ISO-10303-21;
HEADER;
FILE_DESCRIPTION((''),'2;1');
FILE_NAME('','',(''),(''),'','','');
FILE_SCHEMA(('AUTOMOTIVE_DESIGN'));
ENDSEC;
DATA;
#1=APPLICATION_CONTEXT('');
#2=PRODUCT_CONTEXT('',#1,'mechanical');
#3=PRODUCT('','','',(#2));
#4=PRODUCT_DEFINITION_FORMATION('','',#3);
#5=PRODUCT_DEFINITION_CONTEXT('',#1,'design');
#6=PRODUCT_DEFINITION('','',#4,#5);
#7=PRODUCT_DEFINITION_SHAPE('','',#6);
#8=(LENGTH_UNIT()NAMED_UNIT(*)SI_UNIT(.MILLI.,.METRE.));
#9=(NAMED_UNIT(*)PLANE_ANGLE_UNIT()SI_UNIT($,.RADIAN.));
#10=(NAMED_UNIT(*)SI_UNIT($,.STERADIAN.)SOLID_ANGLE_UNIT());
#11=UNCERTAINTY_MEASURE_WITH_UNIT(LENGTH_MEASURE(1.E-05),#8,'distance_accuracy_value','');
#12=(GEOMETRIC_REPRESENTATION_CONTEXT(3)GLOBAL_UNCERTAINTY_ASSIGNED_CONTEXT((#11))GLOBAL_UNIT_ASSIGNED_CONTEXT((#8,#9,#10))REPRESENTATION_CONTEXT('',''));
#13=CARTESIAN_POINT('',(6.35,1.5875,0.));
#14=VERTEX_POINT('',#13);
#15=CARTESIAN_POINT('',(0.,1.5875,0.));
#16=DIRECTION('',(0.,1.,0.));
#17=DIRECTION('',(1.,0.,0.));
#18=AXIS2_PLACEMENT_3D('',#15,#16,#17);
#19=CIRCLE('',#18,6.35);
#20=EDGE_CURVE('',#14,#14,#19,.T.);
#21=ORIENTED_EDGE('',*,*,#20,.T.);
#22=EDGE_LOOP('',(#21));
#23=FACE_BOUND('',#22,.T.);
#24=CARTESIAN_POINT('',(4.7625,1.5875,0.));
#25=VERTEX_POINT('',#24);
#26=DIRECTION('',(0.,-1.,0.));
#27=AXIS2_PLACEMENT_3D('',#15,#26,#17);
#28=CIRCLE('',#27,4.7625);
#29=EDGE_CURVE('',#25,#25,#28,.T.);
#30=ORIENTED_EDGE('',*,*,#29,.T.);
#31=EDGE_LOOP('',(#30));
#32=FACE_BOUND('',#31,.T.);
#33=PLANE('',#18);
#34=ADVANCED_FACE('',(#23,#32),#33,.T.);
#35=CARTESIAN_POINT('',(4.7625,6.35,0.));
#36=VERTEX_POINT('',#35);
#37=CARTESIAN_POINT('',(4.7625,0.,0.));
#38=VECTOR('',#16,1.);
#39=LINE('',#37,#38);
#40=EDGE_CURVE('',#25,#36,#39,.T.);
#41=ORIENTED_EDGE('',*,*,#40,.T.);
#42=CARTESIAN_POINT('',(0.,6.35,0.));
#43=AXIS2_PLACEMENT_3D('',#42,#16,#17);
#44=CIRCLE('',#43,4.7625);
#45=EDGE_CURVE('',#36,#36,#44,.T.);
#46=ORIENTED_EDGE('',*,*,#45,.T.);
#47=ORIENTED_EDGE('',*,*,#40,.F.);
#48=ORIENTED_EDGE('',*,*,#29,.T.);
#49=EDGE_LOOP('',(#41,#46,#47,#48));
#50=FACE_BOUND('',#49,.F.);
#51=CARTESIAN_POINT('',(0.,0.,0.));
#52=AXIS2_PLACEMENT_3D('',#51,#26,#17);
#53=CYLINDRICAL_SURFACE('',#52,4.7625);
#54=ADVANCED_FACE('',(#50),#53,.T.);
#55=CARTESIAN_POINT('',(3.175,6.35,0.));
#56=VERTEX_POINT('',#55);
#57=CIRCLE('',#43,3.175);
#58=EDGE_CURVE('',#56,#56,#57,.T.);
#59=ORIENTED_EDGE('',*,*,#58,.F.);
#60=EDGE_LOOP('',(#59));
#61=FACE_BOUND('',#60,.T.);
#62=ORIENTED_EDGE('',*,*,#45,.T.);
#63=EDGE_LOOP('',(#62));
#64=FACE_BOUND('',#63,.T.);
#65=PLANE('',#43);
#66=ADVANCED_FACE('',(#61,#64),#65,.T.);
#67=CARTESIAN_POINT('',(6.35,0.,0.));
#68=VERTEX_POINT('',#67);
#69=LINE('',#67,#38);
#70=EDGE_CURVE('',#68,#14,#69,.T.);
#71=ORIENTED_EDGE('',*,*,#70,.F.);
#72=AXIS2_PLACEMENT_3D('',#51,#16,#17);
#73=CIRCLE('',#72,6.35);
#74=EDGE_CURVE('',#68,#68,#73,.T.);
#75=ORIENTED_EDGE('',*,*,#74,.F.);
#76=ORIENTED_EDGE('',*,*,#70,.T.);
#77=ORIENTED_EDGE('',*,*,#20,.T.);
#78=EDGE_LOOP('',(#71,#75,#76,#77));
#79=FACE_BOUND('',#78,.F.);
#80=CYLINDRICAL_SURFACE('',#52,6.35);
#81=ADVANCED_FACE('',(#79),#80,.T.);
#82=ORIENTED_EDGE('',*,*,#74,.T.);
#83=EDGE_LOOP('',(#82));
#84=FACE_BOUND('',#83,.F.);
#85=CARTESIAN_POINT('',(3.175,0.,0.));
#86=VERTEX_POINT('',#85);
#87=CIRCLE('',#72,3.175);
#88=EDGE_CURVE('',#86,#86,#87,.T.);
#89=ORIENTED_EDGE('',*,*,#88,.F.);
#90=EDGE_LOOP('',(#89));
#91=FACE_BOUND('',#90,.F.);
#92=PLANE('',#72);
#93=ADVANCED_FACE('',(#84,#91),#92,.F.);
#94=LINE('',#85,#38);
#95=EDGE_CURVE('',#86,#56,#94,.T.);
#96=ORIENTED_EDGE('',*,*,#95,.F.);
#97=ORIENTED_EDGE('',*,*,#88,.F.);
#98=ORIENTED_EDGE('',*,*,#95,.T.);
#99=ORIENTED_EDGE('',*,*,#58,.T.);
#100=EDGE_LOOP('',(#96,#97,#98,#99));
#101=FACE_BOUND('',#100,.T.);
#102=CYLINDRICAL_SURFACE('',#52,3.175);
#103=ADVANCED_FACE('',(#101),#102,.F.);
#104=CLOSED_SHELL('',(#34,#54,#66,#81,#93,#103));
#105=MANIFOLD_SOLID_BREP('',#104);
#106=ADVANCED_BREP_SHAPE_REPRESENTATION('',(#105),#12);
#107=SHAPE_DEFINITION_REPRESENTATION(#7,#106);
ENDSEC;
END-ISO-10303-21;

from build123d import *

# Parameters (mm, degrees)
SKETCH1_R           = 6.35
SKETCH1_R_2         = 3.175
BOSS_EXTRUDE1_DEPTH = 1.5875
SKETCH2_R           = 4.7625
SKETCH2_R_2         = 3.175
BOSS_EXTRUDE2_DEPTH = 6.35


with BuildPart() as part:
    # Sketch1 → Boss-Extrude1 (new body)
    with BuildSketch(Plane(origin=(0, 0, 0), x_dir=(1, 0, 0), z_dir=(0, 1, 0))):
        Circle(SKETCH1_R)
        Circle(SKETCH1_R_2, mode=Mode.SUBTRACT)
    extrude(amount=BOSS_EXTRUDE1_DEPTH)

    # Sketch2 → Boss-Extrude2 (add)
    with BuildSketch(Plane(origin=(0, 0, 0), x_dir=(1, 0, 0), z_dir=(0, 1, 0))):
        Circle(SKETCH2_R)
        Circle(SKETCH2_R_2, mode=Mode.SUBTRACT)
    extrude(amount=BOSS_EXTRUDE2_DEPTH)


solid = part.part
